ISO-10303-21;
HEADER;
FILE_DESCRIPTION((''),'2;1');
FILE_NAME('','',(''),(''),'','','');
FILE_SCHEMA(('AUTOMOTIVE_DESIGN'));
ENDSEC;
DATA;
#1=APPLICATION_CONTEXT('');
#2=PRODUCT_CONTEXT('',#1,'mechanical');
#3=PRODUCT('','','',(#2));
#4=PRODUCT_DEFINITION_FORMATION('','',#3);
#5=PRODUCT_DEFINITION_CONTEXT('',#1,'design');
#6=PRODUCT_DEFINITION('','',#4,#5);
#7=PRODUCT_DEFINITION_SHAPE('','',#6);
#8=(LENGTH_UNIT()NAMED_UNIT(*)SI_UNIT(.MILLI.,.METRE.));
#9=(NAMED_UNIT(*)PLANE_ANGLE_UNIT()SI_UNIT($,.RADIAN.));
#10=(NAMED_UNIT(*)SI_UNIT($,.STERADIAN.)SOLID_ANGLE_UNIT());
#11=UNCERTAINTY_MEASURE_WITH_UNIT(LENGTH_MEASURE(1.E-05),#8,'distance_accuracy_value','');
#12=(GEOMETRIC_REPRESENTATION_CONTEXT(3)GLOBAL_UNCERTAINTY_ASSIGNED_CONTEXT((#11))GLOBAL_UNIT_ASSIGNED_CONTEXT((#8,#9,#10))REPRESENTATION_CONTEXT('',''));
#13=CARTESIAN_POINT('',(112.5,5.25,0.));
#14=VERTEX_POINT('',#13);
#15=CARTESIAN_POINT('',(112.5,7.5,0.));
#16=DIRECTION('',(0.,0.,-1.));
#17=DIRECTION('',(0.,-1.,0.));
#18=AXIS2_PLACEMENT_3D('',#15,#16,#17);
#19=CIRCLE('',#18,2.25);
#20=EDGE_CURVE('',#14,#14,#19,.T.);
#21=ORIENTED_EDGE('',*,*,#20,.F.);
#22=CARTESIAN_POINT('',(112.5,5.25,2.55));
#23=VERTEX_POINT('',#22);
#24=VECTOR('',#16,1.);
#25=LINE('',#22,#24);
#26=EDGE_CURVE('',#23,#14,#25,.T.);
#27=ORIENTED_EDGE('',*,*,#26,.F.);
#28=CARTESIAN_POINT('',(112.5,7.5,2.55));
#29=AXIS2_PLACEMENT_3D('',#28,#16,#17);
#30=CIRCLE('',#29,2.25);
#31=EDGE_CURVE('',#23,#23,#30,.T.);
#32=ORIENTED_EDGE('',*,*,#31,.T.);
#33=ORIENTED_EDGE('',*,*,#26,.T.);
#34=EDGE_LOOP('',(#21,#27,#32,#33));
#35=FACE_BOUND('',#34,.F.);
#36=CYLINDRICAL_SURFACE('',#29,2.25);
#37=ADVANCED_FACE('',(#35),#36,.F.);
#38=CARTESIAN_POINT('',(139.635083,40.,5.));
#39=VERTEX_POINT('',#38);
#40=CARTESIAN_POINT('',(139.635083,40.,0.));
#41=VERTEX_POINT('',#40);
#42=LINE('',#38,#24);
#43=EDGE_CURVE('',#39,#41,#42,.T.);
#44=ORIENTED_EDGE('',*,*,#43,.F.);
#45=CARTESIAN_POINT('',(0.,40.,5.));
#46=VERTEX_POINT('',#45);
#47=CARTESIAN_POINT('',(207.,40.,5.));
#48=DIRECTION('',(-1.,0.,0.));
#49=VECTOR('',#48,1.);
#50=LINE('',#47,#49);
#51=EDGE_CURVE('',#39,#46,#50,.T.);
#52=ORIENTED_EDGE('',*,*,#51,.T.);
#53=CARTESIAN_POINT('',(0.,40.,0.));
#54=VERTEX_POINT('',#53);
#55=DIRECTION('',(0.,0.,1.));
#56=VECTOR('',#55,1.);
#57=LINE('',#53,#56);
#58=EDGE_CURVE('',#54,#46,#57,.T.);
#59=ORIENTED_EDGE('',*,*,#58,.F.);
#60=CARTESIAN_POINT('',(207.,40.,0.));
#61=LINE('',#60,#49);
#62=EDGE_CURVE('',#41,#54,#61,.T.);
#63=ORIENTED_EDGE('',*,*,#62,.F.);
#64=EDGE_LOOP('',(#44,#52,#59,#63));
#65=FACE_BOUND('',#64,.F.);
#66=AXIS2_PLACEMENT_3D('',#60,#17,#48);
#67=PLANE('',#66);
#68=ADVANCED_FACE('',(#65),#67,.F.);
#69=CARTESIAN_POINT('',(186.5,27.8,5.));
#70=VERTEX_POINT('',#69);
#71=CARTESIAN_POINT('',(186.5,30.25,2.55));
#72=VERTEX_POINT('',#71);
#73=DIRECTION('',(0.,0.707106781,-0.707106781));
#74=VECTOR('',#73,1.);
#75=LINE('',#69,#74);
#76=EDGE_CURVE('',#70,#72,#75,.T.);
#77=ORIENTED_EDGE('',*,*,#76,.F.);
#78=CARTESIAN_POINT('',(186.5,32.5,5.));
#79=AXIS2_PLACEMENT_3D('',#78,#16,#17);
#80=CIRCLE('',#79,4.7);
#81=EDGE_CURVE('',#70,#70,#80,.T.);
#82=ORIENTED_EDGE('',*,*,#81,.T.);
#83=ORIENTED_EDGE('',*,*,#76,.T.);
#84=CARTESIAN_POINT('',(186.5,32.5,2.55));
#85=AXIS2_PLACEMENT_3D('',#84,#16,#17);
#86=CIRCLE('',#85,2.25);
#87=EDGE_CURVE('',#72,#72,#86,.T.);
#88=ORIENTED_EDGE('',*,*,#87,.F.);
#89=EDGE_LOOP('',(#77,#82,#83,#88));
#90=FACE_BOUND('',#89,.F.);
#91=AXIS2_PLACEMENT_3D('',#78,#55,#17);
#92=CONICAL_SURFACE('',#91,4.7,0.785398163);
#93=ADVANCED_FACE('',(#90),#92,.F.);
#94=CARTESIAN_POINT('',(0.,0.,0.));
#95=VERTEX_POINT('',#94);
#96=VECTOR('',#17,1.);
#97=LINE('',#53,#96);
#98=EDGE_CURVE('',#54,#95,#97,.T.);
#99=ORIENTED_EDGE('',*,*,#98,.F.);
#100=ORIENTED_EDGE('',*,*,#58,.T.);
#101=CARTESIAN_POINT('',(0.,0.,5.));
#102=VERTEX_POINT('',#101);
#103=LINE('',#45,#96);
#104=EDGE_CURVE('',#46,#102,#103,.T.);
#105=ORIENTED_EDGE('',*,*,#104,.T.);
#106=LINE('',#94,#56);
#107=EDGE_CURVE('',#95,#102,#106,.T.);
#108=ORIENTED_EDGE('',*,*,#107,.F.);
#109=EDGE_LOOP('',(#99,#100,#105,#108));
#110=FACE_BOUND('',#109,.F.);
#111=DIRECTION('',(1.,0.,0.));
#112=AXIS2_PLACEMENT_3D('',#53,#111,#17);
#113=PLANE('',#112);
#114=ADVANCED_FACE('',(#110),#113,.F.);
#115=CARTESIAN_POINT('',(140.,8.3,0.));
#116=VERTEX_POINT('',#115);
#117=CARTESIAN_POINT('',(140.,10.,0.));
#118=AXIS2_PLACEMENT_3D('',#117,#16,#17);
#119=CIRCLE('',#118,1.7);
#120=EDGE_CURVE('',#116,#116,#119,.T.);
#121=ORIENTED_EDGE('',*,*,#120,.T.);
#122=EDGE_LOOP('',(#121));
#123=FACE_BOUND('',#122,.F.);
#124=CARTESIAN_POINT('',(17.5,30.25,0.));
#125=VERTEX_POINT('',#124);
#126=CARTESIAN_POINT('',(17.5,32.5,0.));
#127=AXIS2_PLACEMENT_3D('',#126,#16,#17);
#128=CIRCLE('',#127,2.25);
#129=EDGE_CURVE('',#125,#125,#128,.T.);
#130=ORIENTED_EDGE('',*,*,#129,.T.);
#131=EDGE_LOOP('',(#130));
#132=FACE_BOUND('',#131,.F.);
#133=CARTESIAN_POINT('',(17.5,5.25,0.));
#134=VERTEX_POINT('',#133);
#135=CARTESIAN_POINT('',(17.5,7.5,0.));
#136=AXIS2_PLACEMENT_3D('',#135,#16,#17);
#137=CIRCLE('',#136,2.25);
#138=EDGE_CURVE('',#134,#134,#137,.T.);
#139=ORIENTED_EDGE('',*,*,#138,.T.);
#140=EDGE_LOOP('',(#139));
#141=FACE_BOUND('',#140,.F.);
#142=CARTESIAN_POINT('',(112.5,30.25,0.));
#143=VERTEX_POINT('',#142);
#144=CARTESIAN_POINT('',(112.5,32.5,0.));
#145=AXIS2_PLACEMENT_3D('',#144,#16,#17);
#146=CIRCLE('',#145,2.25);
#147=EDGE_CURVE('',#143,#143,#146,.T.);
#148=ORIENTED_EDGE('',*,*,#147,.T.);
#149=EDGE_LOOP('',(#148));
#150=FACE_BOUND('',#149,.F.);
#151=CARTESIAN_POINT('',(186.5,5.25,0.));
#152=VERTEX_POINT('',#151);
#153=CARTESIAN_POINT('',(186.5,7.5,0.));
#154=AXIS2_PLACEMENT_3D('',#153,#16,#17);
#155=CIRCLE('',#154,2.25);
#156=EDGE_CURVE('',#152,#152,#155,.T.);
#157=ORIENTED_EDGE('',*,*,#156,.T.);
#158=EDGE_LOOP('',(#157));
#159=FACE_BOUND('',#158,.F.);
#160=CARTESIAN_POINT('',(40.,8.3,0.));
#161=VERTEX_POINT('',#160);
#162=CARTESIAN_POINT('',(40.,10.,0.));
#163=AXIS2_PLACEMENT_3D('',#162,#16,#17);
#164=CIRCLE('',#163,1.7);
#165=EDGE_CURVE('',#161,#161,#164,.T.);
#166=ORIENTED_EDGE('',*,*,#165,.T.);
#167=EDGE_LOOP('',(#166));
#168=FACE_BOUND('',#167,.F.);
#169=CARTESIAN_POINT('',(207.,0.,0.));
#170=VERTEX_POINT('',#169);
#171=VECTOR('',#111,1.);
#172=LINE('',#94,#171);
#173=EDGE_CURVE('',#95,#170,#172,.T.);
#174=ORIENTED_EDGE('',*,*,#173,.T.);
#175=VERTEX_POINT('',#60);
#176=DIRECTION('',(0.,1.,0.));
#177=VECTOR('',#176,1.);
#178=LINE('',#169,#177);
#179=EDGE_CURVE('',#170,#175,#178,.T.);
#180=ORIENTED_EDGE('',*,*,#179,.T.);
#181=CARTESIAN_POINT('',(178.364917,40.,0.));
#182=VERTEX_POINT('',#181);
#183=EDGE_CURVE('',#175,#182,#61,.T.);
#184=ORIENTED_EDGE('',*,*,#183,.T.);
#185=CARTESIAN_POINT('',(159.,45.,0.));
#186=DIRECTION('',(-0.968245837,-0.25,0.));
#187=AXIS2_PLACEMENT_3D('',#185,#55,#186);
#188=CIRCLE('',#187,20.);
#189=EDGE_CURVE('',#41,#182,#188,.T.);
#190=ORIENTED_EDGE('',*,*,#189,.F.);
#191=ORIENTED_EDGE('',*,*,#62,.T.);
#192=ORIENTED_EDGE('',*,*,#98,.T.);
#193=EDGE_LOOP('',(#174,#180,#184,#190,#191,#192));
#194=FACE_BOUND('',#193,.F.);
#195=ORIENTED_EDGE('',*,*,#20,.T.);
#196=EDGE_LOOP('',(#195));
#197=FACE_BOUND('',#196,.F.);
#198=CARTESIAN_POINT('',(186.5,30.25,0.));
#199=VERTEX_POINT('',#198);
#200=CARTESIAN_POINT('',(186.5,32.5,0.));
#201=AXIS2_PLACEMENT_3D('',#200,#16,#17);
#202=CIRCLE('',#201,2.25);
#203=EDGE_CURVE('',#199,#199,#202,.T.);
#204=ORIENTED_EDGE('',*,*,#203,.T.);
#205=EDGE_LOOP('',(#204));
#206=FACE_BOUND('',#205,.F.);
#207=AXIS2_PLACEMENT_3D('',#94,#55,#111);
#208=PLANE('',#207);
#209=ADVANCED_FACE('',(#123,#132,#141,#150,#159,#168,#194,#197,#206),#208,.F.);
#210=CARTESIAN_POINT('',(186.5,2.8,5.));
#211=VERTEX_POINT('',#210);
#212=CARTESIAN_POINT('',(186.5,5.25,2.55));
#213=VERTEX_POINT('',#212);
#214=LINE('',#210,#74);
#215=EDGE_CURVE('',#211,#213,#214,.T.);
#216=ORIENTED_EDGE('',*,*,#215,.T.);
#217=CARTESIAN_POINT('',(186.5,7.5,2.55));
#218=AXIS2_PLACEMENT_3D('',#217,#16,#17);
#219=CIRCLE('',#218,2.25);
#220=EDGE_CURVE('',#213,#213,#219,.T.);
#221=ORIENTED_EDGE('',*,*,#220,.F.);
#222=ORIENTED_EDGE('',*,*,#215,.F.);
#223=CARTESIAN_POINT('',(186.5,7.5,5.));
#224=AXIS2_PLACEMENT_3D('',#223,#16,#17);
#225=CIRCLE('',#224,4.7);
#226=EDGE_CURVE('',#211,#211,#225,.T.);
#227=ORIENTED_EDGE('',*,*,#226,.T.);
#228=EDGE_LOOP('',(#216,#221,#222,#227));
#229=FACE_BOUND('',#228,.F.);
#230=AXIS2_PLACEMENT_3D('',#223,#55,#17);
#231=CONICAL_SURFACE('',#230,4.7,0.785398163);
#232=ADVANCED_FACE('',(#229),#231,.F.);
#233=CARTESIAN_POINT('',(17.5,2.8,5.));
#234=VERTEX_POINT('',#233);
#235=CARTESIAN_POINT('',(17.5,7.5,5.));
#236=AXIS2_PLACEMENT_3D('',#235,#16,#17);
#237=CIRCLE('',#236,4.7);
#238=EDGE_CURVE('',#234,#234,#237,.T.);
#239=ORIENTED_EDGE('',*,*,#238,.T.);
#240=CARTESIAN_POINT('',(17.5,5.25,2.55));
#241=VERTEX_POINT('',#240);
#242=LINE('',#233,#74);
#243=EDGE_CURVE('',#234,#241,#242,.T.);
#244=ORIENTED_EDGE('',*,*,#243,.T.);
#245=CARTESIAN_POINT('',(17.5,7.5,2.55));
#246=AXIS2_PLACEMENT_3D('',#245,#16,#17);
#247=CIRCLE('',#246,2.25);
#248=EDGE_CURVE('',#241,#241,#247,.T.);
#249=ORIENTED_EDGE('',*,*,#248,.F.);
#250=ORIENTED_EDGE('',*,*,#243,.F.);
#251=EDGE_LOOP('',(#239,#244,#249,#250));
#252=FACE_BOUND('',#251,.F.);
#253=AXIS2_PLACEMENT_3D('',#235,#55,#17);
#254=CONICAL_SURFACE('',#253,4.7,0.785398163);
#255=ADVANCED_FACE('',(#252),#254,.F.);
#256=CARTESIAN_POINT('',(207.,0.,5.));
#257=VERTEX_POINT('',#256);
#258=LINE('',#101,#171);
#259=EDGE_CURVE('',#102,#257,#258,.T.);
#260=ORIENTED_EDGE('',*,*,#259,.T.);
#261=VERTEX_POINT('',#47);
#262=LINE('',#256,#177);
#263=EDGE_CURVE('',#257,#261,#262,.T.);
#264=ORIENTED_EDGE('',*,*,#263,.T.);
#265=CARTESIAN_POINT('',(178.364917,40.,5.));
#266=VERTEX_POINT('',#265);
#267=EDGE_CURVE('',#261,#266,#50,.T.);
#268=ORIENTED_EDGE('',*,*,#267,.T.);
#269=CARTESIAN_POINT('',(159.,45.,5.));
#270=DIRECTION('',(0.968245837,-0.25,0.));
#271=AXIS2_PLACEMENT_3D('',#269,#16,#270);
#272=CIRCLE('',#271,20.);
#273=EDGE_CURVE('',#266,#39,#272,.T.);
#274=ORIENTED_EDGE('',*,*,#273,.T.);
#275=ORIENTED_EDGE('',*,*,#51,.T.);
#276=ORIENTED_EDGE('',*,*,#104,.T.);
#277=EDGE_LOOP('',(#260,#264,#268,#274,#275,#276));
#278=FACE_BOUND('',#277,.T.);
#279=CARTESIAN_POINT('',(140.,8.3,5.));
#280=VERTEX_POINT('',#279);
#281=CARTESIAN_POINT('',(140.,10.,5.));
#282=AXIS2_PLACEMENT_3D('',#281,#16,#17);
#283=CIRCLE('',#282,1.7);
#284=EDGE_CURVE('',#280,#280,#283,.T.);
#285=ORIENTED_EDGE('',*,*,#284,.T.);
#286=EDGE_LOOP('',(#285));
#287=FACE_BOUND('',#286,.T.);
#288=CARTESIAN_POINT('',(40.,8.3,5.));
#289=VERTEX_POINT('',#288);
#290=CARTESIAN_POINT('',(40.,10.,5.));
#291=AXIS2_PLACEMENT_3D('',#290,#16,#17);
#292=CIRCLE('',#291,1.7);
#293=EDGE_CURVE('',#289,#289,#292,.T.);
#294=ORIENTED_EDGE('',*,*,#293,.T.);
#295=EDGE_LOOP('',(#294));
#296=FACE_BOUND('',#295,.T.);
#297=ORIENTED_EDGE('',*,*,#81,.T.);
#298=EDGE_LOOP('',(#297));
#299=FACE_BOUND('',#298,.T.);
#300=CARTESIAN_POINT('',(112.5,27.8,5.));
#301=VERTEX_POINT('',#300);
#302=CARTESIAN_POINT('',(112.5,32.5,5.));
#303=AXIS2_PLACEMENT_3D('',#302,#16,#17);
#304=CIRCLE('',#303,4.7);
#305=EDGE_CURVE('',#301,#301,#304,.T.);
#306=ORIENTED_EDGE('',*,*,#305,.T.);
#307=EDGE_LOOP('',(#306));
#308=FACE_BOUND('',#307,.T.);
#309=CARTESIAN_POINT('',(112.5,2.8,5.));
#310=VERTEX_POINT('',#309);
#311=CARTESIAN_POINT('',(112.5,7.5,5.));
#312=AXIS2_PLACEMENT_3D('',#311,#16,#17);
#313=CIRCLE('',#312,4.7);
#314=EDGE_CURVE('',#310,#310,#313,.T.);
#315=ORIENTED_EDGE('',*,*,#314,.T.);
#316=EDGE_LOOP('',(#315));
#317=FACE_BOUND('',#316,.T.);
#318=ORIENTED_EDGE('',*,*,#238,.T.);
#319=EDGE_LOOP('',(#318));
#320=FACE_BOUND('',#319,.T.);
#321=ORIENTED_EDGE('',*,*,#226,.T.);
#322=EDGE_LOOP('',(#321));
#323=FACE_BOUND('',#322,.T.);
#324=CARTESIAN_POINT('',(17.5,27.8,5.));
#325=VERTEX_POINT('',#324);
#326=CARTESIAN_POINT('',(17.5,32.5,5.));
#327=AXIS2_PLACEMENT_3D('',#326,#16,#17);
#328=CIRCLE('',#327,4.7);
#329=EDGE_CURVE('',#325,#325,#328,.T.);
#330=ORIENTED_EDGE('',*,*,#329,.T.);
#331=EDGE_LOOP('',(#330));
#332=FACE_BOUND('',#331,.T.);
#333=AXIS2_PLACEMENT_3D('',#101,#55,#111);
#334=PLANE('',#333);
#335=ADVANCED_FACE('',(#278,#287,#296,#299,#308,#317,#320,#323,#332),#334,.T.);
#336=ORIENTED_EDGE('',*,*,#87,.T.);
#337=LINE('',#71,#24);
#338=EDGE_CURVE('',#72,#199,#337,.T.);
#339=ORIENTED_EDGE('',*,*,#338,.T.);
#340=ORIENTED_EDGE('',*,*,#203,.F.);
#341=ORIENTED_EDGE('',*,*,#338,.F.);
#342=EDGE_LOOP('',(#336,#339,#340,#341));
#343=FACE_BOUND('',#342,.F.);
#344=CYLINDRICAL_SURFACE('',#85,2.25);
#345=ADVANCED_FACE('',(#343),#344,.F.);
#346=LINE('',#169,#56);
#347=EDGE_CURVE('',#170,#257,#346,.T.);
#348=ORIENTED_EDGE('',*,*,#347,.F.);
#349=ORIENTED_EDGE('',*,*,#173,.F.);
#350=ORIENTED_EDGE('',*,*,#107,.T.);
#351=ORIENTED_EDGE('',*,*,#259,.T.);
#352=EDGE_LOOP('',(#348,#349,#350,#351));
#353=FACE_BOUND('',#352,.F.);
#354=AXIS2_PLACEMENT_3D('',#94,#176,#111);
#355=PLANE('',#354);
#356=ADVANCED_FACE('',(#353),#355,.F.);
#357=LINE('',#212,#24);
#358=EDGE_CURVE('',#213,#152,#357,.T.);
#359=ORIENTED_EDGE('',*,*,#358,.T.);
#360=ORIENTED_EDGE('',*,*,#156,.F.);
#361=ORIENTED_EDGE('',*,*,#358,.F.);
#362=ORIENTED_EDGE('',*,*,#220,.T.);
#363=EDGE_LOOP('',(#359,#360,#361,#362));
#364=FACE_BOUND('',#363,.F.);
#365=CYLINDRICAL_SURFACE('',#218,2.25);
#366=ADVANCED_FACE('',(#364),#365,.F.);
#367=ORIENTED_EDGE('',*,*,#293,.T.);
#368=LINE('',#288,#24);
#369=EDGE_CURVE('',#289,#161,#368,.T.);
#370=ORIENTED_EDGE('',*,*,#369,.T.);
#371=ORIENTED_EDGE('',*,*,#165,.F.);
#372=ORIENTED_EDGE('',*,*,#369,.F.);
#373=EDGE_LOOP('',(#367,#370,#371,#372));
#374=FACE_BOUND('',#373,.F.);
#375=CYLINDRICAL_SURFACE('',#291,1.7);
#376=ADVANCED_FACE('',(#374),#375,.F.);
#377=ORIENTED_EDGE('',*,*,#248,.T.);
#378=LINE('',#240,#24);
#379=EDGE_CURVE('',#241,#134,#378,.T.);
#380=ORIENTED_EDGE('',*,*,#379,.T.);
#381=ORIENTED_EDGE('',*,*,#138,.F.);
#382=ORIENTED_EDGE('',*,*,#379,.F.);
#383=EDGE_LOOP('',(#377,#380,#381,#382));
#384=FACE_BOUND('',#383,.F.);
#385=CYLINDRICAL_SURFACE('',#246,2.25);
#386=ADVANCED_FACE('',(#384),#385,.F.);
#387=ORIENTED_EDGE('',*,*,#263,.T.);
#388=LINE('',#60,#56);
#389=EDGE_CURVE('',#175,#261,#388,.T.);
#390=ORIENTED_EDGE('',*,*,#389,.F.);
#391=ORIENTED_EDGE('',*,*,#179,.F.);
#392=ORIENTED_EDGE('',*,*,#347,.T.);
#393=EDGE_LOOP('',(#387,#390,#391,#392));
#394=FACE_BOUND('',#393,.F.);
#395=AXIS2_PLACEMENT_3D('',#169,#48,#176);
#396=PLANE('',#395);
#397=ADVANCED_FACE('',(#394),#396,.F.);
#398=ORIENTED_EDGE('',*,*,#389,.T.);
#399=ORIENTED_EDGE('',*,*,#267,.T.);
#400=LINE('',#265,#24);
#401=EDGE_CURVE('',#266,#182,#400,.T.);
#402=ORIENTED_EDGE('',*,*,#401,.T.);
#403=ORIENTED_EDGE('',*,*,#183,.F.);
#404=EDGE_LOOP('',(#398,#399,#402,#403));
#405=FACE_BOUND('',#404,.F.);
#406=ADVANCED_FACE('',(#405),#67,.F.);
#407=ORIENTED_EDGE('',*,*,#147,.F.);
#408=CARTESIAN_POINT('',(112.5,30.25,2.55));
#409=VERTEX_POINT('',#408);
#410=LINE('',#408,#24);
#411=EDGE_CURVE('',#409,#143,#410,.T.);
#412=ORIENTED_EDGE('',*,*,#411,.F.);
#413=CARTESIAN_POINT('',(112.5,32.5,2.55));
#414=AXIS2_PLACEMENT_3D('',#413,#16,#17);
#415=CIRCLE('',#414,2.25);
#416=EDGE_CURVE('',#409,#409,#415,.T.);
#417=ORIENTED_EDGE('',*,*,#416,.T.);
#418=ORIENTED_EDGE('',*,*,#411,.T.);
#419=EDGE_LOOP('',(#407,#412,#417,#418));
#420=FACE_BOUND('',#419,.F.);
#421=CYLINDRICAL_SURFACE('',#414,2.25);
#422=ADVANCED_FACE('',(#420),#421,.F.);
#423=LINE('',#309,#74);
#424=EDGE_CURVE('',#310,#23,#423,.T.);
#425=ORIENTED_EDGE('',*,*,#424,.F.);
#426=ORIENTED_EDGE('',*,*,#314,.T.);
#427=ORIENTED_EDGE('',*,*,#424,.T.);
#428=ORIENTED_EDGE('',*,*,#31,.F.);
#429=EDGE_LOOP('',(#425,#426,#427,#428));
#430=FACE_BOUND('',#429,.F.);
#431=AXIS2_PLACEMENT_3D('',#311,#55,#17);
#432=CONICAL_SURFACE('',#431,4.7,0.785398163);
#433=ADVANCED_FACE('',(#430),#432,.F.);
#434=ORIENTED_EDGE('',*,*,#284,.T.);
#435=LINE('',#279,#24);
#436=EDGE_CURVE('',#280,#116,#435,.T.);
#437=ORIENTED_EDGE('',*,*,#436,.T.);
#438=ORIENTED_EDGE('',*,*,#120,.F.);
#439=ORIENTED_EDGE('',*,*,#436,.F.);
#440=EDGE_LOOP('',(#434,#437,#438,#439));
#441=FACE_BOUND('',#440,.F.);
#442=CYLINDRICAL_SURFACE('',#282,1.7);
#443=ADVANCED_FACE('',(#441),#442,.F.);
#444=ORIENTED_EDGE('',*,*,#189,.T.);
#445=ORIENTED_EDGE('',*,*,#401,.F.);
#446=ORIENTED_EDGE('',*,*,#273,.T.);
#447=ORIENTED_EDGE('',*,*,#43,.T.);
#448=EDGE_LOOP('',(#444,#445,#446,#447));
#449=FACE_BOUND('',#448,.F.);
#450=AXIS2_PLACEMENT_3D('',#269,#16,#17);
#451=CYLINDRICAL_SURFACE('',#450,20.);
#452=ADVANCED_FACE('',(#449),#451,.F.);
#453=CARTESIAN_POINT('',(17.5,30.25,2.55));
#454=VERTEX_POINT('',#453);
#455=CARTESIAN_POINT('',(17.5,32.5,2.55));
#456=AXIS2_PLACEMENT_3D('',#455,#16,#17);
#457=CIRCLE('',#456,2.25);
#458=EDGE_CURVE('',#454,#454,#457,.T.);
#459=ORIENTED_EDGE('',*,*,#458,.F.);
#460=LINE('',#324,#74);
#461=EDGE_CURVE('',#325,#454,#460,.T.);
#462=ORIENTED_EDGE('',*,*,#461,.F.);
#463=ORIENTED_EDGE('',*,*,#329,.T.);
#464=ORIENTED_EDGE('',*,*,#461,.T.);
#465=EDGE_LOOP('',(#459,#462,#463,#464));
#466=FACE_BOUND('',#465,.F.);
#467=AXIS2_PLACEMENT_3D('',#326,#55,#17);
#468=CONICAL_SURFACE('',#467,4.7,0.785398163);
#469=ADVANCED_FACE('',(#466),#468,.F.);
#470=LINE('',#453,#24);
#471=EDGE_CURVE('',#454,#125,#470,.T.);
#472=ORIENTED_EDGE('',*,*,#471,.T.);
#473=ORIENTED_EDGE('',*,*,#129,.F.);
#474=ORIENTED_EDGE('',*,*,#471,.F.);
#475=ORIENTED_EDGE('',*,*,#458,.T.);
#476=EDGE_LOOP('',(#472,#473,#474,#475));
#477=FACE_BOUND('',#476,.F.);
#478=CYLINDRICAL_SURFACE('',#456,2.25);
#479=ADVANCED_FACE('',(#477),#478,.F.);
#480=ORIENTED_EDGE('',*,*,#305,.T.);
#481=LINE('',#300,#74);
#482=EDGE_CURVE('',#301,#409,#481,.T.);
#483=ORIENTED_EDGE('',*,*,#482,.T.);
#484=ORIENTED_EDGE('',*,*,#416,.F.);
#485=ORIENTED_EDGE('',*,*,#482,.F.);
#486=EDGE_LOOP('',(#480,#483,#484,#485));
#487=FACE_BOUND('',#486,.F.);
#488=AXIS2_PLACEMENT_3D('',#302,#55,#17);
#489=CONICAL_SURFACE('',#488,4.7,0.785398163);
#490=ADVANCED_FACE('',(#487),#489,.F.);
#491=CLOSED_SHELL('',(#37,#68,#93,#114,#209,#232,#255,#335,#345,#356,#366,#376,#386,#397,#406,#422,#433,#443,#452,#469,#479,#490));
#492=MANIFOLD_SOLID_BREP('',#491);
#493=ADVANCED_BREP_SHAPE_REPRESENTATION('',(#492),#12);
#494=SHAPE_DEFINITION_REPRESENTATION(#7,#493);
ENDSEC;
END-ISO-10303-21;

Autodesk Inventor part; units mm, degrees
ref_plane "YZ Plane" through (0, 0, 0) normal (1, 0, 0) x (0, 1, 0)
ref_plane "XZ Plane" through (0, 0, 0) normal (0, 1, 0) x (-1, 0, 0)
ref_plane "XY Plane" through (0, 0, 0) normal (0, 0, 1) x (1, 0, 0)
sketch "Sketch1" plane through (0, 0, 0) normal (0, 0, 1) x (1, 0, 0)
  line L0 (0, 0) -> (207, 0)
  line L1 (207, 0) -> (207, 40)
  line L2 (207, 40) -> (0, 40)
  line L3 (0, 40) -> (0, 0)
  dimension "d0" = 207
  dimension "d1" = 40
extrude "Extrusion1" add sketch "Sketch1" along normal blind 5
sketch "Sketch2" plane through (0, 0, 5) normal (0, 0, 1) x (1, 0, 0)
  line L0 (207, 40) -> (0, 40) projected
  line L1 (0, 0) -> (207, 0) projected
  line L2 (0, 40) -> (0, 0) projected
  point P0 (17.5, 32.5)
  point P1 (17.5, 7.5)
  point P2 (112.5, 32.5)
  point P3 (112.5, 7.5)
  point P4 (186.5, 32.5)
  point P5 (186.5, 7.5)
  dimension "d4" = 7.5
  dimension "d5" = 7.5
  dimension "d6" = 17.5
  dimension "d7" = 95
  dimension "d8" = 74
hole "Hole1" at (17.5, 32.5, 5) at (17.5, 7.5, 5) at (112.5, 32.5, 5) at (112.5, 7.5, 5) at (186.5, 32.5, 5) at (186.5, 7.5, 5) direction (0, 0, -1) diameter 4.5 end through all countersink diameter 9.4 countersink angle 90 clearance for "Flat Head Machine Screw" size "M4" standard "Ansi Metric M Profile"
sketch "Sketch3" plane through (0, 0, 5) normal (0, 0, 1) x (1, 0, 0)
  line L0 (0, 40) -> (0, 0) projected
  line L1 (0, 0) -> (207, 0) projected
  circle A0 centre (186.5, 7.5) radius 4.7 projected
  point P0 (159, 45)
  dimension "d17" = 45
  dimension "d25" = 27.5
hole "Hole2" at (159, 45, 5) direction (0, 0, -1) diameter 40 end through all
sketch "Sketch4" plane through (0, 0, 5) normal (0, 0, 1) x (1, 0, 0)
  line L0 (0, 0) -> (207, 0) projected
  line L1 (0, 40) -> (0, 0) projected
  point P0 (40, 10)
  point P1 (140, 10)
  dimension "d26" = 10
  dimension "d27" = 100
  dimension "d28" = 40
hole "Hole3" at (40, 10, 5) at (140, 10, 5) direction (0, 0, -1) diameter 3.4 end through all clearance for "Flat Head Machine Screw" size "M3" standard "Ansi Metric M Profile"
equation "\"d5\" = d4"
properties part number "Top_Slider Piece 2" material "Wood (Oak)"
